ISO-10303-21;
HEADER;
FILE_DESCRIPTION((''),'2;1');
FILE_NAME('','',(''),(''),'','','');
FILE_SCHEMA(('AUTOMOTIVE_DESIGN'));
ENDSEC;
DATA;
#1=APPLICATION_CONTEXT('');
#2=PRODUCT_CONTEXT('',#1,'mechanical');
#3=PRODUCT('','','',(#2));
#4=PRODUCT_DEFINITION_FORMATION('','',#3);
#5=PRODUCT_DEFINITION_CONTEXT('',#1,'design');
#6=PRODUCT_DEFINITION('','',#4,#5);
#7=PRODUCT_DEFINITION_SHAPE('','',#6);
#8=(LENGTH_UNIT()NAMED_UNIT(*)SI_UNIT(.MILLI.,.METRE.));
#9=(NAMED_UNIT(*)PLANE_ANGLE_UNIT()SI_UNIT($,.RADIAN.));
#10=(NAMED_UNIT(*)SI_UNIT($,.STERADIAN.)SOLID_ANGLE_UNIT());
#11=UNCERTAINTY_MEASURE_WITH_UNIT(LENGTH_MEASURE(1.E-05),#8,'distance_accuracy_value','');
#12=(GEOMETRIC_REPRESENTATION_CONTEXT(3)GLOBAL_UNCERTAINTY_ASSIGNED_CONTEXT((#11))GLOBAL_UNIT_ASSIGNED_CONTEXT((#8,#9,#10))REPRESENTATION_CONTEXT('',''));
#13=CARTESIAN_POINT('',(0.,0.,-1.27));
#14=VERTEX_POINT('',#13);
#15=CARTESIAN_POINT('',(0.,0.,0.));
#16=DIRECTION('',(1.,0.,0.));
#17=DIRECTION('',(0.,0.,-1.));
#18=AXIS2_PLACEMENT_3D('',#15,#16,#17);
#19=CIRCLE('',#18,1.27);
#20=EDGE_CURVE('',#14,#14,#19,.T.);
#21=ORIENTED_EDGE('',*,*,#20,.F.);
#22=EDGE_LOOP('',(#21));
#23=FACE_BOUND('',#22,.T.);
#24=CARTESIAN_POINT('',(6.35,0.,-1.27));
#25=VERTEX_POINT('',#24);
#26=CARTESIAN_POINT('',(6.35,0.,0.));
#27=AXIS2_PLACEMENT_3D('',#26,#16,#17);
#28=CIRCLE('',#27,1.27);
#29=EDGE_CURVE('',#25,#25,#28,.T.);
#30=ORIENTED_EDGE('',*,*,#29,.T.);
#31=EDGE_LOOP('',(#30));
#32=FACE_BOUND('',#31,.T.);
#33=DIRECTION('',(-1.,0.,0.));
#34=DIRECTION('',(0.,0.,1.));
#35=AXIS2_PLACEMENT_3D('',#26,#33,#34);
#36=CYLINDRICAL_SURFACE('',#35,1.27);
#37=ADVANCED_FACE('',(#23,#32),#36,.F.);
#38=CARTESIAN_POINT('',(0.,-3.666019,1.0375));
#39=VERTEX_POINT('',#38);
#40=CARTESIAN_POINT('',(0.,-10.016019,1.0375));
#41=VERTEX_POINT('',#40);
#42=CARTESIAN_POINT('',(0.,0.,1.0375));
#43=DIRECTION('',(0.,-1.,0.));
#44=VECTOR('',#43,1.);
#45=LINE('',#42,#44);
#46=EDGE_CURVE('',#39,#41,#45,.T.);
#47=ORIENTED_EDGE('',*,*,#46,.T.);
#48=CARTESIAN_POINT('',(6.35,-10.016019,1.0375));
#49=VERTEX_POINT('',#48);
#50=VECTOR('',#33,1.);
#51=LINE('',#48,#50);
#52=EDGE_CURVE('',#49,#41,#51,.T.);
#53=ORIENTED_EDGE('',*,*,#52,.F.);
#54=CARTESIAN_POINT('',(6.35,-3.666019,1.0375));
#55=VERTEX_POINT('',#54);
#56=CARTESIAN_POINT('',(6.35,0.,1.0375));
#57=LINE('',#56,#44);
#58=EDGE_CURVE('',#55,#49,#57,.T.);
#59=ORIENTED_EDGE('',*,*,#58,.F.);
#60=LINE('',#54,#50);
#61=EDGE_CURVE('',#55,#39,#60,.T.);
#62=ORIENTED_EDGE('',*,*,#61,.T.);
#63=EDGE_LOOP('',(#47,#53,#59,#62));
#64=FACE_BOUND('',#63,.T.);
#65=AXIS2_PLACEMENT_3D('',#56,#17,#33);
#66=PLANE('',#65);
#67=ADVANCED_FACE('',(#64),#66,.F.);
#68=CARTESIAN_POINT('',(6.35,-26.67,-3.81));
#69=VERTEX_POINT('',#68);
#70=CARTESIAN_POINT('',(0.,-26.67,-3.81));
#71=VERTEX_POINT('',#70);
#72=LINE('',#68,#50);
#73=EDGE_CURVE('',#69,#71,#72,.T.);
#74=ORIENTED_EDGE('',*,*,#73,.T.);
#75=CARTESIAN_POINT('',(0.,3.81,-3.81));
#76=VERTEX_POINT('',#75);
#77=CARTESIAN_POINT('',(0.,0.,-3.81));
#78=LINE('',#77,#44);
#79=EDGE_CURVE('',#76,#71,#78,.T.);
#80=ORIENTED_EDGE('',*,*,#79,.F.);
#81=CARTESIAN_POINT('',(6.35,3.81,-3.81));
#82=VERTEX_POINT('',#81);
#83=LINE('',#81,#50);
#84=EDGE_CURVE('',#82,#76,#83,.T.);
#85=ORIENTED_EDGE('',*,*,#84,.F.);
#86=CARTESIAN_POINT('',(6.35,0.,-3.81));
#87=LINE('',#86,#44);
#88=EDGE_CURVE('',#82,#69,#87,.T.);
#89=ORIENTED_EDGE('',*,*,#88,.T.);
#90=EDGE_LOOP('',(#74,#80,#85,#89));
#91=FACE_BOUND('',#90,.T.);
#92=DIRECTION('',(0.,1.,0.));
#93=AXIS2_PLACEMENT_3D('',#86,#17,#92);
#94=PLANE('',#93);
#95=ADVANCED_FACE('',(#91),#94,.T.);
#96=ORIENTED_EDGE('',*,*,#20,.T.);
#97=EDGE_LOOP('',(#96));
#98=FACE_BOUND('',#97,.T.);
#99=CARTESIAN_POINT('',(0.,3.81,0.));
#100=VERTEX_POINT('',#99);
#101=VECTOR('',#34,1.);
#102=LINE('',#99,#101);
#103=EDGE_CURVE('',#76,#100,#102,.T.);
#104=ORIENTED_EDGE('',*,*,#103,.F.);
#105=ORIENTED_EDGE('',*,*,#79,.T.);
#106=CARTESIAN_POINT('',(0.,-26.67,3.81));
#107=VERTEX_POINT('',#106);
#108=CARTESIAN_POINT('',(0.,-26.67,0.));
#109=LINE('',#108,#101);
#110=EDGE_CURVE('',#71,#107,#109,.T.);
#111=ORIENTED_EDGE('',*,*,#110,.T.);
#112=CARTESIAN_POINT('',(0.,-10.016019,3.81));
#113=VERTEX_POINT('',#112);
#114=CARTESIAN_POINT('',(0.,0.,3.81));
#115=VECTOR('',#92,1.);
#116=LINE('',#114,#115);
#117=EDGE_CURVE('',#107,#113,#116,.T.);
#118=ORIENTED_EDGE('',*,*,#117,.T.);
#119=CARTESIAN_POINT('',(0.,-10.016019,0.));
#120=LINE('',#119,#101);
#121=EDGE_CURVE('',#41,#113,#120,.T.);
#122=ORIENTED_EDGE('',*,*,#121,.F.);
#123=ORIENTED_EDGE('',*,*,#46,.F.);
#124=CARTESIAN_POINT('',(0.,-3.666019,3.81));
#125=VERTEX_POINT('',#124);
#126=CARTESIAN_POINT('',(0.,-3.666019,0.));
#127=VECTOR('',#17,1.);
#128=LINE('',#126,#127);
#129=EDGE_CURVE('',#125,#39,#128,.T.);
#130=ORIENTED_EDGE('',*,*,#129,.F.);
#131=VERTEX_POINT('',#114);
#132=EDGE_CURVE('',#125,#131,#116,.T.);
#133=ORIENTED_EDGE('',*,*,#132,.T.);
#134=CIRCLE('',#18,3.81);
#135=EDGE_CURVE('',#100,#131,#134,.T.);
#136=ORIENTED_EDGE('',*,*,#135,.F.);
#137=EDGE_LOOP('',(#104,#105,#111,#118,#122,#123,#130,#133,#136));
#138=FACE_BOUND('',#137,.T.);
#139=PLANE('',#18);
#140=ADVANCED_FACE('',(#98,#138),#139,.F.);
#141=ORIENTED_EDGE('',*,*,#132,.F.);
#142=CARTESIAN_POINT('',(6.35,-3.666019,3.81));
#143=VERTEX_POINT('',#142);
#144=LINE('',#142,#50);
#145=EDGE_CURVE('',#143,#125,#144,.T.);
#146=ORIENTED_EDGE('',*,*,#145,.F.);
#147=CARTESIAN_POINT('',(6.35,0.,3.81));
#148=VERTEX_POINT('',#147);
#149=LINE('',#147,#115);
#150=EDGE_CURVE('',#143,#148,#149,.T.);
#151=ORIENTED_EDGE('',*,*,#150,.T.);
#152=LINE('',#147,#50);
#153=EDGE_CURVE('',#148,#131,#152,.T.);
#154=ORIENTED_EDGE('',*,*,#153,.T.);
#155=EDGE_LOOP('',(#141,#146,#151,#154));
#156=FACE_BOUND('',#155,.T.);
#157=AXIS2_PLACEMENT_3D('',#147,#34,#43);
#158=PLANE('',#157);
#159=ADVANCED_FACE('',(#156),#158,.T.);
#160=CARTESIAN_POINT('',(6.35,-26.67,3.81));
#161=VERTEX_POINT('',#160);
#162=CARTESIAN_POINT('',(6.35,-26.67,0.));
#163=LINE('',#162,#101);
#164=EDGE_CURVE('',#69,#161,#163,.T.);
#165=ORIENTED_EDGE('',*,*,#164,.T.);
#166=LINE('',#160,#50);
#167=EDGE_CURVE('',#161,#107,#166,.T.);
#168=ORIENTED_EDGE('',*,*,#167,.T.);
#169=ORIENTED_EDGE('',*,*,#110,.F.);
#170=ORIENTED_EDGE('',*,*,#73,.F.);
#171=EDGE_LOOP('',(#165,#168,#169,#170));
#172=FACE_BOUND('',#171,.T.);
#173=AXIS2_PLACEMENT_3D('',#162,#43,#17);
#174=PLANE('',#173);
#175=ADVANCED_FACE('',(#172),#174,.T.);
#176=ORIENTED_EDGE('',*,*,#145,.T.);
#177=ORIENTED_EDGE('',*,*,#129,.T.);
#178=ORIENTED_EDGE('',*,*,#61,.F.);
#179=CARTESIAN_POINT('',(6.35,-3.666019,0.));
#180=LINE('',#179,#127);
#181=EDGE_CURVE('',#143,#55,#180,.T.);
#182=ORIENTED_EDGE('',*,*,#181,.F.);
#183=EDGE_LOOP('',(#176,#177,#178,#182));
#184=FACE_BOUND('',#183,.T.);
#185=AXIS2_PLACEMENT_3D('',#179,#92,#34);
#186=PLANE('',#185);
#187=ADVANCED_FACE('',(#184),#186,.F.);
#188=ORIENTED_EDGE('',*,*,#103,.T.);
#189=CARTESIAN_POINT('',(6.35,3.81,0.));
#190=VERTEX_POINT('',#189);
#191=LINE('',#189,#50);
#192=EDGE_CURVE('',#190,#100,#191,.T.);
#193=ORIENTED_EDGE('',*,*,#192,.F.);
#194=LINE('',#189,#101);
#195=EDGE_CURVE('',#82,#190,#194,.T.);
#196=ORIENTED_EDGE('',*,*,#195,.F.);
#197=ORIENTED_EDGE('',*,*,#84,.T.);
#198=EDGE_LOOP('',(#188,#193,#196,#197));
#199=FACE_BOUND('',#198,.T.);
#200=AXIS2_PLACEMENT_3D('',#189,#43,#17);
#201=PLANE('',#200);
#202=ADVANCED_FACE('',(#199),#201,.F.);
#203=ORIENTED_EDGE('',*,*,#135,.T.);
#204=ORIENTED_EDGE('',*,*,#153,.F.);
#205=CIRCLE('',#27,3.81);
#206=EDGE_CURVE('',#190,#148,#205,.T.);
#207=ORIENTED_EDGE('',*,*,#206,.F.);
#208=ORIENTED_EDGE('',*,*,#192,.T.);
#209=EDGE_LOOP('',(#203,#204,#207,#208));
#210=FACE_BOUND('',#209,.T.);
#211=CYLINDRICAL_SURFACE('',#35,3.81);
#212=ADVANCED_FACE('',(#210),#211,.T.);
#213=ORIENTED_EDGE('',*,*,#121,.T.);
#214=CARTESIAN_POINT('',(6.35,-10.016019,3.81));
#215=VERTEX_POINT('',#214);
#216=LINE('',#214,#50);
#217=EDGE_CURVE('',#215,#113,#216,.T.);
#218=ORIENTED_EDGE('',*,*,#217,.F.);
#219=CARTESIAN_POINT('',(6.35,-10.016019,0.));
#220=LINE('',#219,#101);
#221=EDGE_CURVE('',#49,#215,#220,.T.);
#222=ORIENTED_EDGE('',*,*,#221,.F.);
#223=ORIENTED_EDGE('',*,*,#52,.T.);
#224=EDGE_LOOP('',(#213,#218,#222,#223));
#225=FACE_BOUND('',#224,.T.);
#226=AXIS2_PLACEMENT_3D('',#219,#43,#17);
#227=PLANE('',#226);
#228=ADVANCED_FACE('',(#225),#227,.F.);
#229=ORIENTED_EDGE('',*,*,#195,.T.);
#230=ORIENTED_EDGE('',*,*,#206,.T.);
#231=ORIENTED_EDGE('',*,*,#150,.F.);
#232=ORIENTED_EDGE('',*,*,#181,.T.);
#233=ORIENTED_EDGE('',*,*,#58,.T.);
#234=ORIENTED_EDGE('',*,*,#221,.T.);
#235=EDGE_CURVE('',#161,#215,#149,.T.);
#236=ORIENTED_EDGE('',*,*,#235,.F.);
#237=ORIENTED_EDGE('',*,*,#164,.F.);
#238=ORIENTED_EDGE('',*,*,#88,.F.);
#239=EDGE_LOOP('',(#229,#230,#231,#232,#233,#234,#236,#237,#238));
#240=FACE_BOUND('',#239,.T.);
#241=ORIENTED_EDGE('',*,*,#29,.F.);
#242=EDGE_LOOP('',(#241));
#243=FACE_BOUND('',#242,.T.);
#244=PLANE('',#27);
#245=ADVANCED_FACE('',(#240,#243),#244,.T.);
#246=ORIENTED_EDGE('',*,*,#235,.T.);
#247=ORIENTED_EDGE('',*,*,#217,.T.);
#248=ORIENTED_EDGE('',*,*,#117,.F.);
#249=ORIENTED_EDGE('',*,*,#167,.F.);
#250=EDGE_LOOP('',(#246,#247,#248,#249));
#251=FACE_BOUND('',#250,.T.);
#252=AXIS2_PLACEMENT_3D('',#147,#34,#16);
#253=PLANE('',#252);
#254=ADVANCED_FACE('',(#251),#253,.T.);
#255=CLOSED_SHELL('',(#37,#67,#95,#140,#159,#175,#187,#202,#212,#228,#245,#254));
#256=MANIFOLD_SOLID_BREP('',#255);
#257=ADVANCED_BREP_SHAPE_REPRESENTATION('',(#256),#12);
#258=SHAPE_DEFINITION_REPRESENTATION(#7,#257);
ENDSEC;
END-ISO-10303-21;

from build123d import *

# Parameters (mm, degrees)
ELEVATOR_PADDLE_R   = 1.27
BOSS_EXTRUDE1_DEPTH = 6.35


with BuildPart() as part:
    # Elevator Paddle → Boss-Extrude1 (new body)
    with BuildSketch(Plane(origin=(0, 0, 0), x_dir=(0, 0, -1), z_dir=(1, 0, 0))):
        with BuildLine():
            Line((3.81, 3.81), (3.81, -26.67))
            Line((3.81, -26.67), (-3.81, -26.67))
            Line((-3.81, -26.67), (-3.81, -10.0160188))
            Line((-3.81, -10.0160188), (-1.037499957, -10.0160188))
            Line((-1.037499957, -10.0160188), (-1.037499957, -3.6660188))
            Line((-1.037499957, -3.6660188), (-3.81, -3.6660188))
            Line((-3.81, -3.6660188), (-3.81, 0))
            ThreePointArc((-3.81, 0), (-2.694076836, 2.694076836), (0, 3.81))
            Line((0, 3.81), (3.81, 3.81))
        make_face()
        Circle(ELEVATOR_PADDLE_R, mode=Mode.SUBTRACT)
    extrude(amount=BOSS_EXTRUDE1_DEPTH)


solid = part.part
